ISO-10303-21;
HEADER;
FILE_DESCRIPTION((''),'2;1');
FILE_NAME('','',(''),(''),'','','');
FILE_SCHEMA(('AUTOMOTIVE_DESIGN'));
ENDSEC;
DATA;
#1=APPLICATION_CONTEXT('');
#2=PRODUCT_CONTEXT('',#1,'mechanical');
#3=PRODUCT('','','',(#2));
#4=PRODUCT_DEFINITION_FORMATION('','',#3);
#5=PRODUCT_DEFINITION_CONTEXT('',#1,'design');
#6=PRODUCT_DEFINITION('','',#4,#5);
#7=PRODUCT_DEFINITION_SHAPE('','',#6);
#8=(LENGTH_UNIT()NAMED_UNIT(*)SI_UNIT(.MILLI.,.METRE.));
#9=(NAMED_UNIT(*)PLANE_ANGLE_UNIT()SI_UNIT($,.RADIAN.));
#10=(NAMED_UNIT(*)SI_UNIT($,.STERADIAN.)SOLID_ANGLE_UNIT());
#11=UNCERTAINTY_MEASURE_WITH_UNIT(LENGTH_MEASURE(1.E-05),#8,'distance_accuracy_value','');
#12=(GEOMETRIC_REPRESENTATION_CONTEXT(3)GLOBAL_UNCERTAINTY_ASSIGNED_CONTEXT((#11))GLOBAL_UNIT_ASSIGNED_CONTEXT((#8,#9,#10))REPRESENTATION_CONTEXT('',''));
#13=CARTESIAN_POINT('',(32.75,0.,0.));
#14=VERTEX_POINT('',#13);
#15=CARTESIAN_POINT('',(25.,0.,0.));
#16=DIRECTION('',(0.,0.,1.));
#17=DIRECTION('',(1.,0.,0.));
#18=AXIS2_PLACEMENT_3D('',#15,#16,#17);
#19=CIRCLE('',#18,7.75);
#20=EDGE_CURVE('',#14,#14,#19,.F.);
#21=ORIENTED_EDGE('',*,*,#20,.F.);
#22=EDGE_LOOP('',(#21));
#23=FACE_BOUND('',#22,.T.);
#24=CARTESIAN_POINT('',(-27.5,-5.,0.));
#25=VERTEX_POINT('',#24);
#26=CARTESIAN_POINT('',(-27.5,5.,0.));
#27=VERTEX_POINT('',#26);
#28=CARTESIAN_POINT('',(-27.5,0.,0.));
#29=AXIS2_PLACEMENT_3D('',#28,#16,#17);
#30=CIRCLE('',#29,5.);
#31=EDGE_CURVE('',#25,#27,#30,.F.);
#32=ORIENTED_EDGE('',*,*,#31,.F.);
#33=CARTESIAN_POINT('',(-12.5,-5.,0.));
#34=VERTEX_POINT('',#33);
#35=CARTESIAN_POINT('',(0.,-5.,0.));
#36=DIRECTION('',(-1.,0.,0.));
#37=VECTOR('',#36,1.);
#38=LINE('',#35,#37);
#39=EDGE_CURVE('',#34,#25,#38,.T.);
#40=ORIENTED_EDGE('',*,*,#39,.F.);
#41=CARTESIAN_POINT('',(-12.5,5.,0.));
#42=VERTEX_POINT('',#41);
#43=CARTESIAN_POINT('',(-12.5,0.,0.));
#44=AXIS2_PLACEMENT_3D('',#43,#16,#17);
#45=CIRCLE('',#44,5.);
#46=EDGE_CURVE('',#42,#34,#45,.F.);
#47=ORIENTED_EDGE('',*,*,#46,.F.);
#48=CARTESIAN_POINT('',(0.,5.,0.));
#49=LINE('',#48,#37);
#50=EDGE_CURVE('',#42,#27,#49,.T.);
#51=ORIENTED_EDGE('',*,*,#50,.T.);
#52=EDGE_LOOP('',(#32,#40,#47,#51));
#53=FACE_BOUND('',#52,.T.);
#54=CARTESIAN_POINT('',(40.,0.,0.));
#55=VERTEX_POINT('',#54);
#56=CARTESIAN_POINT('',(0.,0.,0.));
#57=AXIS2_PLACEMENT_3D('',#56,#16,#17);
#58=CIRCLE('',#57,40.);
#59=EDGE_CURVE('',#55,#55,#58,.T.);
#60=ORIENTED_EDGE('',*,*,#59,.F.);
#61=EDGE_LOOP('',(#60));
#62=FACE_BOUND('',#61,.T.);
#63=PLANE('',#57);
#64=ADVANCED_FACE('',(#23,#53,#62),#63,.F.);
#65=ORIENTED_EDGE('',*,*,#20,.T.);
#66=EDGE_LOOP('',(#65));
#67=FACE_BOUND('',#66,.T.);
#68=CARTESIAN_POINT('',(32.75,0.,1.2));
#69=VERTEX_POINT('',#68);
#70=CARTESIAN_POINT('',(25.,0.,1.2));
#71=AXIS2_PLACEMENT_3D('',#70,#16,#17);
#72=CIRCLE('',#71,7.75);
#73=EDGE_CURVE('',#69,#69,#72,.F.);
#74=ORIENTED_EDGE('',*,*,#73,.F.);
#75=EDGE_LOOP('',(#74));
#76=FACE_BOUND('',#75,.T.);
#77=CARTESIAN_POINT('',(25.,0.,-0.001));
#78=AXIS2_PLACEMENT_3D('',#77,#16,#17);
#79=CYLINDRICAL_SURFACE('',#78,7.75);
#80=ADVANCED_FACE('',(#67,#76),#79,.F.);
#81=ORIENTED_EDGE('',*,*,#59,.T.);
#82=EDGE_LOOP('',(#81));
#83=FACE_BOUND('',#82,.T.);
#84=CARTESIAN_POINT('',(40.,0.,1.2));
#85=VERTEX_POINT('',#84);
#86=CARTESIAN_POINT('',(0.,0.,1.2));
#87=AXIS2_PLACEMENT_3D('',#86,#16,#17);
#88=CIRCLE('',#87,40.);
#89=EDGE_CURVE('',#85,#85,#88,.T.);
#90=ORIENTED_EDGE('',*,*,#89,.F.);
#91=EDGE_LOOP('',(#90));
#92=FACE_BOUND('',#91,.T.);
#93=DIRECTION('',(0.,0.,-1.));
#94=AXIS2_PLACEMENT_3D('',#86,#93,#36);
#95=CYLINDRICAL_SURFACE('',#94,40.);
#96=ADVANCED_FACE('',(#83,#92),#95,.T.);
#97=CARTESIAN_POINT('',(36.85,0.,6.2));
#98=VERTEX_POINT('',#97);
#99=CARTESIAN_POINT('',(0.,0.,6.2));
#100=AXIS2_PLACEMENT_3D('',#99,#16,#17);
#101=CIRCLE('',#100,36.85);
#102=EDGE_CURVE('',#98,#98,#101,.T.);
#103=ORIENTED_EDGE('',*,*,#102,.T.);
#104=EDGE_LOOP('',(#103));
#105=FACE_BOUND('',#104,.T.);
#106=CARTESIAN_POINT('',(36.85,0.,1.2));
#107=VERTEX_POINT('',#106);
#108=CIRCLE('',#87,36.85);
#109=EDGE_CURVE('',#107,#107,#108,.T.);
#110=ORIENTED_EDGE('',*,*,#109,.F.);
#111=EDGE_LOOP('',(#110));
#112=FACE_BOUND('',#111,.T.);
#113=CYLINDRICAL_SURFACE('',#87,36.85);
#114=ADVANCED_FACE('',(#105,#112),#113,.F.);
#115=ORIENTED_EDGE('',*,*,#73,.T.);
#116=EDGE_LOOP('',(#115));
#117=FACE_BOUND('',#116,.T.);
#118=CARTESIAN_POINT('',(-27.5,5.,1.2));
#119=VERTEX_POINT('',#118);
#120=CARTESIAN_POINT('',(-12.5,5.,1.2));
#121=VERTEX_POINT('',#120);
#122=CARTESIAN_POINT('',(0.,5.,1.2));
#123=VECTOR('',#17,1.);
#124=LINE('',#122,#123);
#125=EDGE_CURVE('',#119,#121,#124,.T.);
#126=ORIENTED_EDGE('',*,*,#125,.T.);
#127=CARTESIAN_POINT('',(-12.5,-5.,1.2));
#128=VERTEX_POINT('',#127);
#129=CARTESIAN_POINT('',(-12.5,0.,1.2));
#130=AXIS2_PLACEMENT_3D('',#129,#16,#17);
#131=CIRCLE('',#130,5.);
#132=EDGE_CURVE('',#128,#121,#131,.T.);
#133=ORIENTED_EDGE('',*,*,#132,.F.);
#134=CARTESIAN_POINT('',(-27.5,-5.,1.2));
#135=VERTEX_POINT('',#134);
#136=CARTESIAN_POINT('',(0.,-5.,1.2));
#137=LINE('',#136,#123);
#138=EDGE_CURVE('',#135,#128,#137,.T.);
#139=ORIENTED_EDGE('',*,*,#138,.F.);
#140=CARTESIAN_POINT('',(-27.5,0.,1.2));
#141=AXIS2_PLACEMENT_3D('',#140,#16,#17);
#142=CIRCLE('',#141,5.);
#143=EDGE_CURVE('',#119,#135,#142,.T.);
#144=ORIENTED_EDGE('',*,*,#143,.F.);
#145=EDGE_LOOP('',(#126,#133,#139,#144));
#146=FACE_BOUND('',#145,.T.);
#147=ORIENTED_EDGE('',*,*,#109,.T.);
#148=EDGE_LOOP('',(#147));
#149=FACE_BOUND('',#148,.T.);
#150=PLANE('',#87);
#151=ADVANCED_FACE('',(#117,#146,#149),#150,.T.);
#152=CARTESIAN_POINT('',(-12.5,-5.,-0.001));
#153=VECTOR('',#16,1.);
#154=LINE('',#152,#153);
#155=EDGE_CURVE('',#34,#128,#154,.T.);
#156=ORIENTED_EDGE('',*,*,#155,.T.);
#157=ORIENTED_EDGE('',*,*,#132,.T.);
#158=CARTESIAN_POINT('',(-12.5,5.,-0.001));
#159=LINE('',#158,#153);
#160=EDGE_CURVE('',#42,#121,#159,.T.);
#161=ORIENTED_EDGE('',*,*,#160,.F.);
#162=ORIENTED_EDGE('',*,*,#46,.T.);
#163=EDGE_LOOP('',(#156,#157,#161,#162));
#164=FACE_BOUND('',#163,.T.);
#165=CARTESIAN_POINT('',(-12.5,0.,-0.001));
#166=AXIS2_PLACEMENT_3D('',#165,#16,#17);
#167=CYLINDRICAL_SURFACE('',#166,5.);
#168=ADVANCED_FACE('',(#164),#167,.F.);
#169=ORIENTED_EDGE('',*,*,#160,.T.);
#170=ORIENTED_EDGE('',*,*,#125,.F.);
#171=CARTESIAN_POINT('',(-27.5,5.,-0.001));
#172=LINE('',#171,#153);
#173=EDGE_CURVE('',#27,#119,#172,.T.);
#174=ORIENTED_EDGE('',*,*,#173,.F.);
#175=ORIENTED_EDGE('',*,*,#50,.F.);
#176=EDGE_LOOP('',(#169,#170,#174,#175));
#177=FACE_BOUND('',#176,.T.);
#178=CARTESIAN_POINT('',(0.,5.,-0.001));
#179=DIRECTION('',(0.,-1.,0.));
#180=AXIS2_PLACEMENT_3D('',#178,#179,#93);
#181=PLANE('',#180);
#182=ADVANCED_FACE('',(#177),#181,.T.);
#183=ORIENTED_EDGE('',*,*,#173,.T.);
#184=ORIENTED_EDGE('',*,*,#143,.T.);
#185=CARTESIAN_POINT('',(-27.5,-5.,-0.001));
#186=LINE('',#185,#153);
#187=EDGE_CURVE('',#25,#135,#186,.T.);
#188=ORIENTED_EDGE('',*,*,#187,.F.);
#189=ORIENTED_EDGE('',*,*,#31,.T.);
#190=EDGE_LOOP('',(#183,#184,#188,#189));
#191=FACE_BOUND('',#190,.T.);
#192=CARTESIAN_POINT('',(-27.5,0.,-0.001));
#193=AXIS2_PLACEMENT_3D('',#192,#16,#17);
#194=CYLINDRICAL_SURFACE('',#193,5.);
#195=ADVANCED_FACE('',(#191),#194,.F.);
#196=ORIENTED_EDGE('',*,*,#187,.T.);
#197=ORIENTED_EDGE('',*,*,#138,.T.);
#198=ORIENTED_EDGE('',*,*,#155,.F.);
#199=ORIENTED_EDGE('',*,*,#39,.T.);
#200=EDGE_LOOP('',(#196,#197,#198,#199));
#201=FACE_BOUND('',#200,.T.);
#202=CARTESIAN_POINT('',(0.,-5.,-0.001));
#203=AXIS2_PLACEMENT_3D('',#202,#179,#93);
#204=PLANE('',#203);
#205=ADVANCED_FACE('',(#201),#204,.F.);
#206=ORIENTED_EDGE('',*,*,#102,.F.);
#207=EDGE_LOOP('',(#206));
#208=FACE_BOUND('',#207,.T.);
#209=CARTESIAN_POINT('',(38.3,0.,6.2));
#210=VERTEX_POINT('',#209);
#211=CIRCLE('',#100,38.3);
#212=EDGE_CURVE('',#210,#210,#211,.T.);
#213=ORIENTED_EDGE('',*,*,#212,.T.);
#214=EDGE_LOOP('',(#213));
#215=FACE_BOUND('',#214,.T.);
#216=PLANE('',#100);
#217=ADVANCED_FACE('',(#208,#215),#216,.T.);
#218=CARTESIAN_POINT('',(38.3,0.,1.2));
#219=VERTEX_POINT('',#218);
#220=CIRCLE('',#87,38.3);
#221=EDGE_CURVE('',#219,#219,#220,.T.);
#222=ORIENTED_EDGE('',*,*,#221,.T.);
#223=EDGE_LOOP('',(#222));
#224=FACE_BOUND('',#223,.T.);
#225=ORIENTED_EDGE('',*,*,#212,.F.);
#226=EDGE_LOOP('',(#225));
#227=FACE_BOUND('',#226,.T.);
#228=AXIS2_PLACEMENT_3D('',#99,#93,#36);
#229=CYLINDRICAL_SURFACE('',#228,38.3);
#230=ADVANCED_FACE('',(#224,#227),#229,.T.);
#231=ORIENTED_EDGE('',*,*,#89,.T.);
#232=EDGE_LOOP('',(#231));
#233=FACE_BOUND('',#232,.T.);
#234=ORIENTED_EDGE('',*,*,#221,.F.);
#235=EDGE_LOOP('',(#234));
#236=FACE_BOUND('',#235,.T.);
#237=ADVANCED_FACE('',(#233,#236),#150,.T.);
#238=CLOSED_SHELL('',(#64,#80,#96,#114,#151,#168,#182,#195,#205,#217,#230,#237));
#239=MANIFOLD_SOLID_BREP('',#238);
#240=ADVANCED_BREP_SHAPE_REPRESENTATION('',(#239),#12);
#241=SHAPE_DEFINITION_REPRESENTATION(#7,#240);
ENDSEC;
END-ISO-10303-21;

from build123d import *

# Parameters (mm, degrees)
SKETCH1_R           = 40
BOSS_EXTRUDE1_DEPTH = 1.2
CUT_EXTRUDE1_REACH  = 58.581
SKETCH2_R           = 7.75
CUT_EXTRUDE2_REACH  = 58.581
SKETCH4_R           = 38.3
BOSS_EXTRUDE2_DEPTH = 5
SKETCH5_R           = 36.85
CUT_EXTRUDE3_DEPTH  = 5


with BuildPart() as part:
    # Sketch1 → Boss-Extrude1 (new body)
    with BuildSketch(Plane.XY):
        Circle(SKETCH1_R)
    extrude(amount=BOSS_EXTRUDE1_DEPTH)

    # Sketch2 → Cut-Extrude1 (cut, up to next)
    with BuildSketch(Plane.XY.offset(1.2), mode=Mode.PRIVATE) as cut_extrude1_sk1:
        with Locations((25, 0)):
            Circle(SKETCH2_R)
    cut_extrude1_tool1 = extrude(cut_extrude1_sk1.sketch, amount=-CUT_EXTRUDE1_REACH, mode=Mode.PRIVATE) & part.part
    add(cut_extrude1_tool1.solids().sort_by_distance((25, 0, 1.2))[0], mode=Mode.SUBTRACT)

    # Sketch3 → Cut-Extrude2 (cut, up to next)
    with BuildSketch(Plane.XY.offset(1.2), mode=Mode.PRIVATE) as cut_extrude2_sk1:
        with BuildLine():
            Line((-27.5, 5), (-12.5, 5))
            ThreePointArc((-12.5, 5), (-7.5, 0), (-12.5, -5))
            Line((-12.5, -5), (-27.5, -5))
            ThreePointArc((-27.5, -5), (-32.5, 0), (-27.5, 5))
        make_face()
    cut_extrude2_tool1 = extrude(cut_extrude2_sk1.sketch, amount=-CUT_EXTRUDE2_REACH, mode=Mode.PRIVATE) & part.part
    add(cut_extrude2_tool1.solids().sort_by_distance((-20, 0, 1.2))[0], mode=Mode.SUBTRACT)

    # Sketch4 → Boss-Extrude2 (add)
    with BuildSketch(Plane.XY.offset(1.2)):
        Circle(SKETCH4_R)
    extrude(amount=BOSS_EXTRUDE2_DEPTH)

    # Sketch5 → Cut-Extrude3 (cut)
    with BuildSketch(Plane.XY.offset(6.2)):
        Circle(SKETCH5_R)
    extrude(amount=-CUT_EXTRUDE3_DEPTH, mode=Mode.SUBTRACT)


solid = part.part
